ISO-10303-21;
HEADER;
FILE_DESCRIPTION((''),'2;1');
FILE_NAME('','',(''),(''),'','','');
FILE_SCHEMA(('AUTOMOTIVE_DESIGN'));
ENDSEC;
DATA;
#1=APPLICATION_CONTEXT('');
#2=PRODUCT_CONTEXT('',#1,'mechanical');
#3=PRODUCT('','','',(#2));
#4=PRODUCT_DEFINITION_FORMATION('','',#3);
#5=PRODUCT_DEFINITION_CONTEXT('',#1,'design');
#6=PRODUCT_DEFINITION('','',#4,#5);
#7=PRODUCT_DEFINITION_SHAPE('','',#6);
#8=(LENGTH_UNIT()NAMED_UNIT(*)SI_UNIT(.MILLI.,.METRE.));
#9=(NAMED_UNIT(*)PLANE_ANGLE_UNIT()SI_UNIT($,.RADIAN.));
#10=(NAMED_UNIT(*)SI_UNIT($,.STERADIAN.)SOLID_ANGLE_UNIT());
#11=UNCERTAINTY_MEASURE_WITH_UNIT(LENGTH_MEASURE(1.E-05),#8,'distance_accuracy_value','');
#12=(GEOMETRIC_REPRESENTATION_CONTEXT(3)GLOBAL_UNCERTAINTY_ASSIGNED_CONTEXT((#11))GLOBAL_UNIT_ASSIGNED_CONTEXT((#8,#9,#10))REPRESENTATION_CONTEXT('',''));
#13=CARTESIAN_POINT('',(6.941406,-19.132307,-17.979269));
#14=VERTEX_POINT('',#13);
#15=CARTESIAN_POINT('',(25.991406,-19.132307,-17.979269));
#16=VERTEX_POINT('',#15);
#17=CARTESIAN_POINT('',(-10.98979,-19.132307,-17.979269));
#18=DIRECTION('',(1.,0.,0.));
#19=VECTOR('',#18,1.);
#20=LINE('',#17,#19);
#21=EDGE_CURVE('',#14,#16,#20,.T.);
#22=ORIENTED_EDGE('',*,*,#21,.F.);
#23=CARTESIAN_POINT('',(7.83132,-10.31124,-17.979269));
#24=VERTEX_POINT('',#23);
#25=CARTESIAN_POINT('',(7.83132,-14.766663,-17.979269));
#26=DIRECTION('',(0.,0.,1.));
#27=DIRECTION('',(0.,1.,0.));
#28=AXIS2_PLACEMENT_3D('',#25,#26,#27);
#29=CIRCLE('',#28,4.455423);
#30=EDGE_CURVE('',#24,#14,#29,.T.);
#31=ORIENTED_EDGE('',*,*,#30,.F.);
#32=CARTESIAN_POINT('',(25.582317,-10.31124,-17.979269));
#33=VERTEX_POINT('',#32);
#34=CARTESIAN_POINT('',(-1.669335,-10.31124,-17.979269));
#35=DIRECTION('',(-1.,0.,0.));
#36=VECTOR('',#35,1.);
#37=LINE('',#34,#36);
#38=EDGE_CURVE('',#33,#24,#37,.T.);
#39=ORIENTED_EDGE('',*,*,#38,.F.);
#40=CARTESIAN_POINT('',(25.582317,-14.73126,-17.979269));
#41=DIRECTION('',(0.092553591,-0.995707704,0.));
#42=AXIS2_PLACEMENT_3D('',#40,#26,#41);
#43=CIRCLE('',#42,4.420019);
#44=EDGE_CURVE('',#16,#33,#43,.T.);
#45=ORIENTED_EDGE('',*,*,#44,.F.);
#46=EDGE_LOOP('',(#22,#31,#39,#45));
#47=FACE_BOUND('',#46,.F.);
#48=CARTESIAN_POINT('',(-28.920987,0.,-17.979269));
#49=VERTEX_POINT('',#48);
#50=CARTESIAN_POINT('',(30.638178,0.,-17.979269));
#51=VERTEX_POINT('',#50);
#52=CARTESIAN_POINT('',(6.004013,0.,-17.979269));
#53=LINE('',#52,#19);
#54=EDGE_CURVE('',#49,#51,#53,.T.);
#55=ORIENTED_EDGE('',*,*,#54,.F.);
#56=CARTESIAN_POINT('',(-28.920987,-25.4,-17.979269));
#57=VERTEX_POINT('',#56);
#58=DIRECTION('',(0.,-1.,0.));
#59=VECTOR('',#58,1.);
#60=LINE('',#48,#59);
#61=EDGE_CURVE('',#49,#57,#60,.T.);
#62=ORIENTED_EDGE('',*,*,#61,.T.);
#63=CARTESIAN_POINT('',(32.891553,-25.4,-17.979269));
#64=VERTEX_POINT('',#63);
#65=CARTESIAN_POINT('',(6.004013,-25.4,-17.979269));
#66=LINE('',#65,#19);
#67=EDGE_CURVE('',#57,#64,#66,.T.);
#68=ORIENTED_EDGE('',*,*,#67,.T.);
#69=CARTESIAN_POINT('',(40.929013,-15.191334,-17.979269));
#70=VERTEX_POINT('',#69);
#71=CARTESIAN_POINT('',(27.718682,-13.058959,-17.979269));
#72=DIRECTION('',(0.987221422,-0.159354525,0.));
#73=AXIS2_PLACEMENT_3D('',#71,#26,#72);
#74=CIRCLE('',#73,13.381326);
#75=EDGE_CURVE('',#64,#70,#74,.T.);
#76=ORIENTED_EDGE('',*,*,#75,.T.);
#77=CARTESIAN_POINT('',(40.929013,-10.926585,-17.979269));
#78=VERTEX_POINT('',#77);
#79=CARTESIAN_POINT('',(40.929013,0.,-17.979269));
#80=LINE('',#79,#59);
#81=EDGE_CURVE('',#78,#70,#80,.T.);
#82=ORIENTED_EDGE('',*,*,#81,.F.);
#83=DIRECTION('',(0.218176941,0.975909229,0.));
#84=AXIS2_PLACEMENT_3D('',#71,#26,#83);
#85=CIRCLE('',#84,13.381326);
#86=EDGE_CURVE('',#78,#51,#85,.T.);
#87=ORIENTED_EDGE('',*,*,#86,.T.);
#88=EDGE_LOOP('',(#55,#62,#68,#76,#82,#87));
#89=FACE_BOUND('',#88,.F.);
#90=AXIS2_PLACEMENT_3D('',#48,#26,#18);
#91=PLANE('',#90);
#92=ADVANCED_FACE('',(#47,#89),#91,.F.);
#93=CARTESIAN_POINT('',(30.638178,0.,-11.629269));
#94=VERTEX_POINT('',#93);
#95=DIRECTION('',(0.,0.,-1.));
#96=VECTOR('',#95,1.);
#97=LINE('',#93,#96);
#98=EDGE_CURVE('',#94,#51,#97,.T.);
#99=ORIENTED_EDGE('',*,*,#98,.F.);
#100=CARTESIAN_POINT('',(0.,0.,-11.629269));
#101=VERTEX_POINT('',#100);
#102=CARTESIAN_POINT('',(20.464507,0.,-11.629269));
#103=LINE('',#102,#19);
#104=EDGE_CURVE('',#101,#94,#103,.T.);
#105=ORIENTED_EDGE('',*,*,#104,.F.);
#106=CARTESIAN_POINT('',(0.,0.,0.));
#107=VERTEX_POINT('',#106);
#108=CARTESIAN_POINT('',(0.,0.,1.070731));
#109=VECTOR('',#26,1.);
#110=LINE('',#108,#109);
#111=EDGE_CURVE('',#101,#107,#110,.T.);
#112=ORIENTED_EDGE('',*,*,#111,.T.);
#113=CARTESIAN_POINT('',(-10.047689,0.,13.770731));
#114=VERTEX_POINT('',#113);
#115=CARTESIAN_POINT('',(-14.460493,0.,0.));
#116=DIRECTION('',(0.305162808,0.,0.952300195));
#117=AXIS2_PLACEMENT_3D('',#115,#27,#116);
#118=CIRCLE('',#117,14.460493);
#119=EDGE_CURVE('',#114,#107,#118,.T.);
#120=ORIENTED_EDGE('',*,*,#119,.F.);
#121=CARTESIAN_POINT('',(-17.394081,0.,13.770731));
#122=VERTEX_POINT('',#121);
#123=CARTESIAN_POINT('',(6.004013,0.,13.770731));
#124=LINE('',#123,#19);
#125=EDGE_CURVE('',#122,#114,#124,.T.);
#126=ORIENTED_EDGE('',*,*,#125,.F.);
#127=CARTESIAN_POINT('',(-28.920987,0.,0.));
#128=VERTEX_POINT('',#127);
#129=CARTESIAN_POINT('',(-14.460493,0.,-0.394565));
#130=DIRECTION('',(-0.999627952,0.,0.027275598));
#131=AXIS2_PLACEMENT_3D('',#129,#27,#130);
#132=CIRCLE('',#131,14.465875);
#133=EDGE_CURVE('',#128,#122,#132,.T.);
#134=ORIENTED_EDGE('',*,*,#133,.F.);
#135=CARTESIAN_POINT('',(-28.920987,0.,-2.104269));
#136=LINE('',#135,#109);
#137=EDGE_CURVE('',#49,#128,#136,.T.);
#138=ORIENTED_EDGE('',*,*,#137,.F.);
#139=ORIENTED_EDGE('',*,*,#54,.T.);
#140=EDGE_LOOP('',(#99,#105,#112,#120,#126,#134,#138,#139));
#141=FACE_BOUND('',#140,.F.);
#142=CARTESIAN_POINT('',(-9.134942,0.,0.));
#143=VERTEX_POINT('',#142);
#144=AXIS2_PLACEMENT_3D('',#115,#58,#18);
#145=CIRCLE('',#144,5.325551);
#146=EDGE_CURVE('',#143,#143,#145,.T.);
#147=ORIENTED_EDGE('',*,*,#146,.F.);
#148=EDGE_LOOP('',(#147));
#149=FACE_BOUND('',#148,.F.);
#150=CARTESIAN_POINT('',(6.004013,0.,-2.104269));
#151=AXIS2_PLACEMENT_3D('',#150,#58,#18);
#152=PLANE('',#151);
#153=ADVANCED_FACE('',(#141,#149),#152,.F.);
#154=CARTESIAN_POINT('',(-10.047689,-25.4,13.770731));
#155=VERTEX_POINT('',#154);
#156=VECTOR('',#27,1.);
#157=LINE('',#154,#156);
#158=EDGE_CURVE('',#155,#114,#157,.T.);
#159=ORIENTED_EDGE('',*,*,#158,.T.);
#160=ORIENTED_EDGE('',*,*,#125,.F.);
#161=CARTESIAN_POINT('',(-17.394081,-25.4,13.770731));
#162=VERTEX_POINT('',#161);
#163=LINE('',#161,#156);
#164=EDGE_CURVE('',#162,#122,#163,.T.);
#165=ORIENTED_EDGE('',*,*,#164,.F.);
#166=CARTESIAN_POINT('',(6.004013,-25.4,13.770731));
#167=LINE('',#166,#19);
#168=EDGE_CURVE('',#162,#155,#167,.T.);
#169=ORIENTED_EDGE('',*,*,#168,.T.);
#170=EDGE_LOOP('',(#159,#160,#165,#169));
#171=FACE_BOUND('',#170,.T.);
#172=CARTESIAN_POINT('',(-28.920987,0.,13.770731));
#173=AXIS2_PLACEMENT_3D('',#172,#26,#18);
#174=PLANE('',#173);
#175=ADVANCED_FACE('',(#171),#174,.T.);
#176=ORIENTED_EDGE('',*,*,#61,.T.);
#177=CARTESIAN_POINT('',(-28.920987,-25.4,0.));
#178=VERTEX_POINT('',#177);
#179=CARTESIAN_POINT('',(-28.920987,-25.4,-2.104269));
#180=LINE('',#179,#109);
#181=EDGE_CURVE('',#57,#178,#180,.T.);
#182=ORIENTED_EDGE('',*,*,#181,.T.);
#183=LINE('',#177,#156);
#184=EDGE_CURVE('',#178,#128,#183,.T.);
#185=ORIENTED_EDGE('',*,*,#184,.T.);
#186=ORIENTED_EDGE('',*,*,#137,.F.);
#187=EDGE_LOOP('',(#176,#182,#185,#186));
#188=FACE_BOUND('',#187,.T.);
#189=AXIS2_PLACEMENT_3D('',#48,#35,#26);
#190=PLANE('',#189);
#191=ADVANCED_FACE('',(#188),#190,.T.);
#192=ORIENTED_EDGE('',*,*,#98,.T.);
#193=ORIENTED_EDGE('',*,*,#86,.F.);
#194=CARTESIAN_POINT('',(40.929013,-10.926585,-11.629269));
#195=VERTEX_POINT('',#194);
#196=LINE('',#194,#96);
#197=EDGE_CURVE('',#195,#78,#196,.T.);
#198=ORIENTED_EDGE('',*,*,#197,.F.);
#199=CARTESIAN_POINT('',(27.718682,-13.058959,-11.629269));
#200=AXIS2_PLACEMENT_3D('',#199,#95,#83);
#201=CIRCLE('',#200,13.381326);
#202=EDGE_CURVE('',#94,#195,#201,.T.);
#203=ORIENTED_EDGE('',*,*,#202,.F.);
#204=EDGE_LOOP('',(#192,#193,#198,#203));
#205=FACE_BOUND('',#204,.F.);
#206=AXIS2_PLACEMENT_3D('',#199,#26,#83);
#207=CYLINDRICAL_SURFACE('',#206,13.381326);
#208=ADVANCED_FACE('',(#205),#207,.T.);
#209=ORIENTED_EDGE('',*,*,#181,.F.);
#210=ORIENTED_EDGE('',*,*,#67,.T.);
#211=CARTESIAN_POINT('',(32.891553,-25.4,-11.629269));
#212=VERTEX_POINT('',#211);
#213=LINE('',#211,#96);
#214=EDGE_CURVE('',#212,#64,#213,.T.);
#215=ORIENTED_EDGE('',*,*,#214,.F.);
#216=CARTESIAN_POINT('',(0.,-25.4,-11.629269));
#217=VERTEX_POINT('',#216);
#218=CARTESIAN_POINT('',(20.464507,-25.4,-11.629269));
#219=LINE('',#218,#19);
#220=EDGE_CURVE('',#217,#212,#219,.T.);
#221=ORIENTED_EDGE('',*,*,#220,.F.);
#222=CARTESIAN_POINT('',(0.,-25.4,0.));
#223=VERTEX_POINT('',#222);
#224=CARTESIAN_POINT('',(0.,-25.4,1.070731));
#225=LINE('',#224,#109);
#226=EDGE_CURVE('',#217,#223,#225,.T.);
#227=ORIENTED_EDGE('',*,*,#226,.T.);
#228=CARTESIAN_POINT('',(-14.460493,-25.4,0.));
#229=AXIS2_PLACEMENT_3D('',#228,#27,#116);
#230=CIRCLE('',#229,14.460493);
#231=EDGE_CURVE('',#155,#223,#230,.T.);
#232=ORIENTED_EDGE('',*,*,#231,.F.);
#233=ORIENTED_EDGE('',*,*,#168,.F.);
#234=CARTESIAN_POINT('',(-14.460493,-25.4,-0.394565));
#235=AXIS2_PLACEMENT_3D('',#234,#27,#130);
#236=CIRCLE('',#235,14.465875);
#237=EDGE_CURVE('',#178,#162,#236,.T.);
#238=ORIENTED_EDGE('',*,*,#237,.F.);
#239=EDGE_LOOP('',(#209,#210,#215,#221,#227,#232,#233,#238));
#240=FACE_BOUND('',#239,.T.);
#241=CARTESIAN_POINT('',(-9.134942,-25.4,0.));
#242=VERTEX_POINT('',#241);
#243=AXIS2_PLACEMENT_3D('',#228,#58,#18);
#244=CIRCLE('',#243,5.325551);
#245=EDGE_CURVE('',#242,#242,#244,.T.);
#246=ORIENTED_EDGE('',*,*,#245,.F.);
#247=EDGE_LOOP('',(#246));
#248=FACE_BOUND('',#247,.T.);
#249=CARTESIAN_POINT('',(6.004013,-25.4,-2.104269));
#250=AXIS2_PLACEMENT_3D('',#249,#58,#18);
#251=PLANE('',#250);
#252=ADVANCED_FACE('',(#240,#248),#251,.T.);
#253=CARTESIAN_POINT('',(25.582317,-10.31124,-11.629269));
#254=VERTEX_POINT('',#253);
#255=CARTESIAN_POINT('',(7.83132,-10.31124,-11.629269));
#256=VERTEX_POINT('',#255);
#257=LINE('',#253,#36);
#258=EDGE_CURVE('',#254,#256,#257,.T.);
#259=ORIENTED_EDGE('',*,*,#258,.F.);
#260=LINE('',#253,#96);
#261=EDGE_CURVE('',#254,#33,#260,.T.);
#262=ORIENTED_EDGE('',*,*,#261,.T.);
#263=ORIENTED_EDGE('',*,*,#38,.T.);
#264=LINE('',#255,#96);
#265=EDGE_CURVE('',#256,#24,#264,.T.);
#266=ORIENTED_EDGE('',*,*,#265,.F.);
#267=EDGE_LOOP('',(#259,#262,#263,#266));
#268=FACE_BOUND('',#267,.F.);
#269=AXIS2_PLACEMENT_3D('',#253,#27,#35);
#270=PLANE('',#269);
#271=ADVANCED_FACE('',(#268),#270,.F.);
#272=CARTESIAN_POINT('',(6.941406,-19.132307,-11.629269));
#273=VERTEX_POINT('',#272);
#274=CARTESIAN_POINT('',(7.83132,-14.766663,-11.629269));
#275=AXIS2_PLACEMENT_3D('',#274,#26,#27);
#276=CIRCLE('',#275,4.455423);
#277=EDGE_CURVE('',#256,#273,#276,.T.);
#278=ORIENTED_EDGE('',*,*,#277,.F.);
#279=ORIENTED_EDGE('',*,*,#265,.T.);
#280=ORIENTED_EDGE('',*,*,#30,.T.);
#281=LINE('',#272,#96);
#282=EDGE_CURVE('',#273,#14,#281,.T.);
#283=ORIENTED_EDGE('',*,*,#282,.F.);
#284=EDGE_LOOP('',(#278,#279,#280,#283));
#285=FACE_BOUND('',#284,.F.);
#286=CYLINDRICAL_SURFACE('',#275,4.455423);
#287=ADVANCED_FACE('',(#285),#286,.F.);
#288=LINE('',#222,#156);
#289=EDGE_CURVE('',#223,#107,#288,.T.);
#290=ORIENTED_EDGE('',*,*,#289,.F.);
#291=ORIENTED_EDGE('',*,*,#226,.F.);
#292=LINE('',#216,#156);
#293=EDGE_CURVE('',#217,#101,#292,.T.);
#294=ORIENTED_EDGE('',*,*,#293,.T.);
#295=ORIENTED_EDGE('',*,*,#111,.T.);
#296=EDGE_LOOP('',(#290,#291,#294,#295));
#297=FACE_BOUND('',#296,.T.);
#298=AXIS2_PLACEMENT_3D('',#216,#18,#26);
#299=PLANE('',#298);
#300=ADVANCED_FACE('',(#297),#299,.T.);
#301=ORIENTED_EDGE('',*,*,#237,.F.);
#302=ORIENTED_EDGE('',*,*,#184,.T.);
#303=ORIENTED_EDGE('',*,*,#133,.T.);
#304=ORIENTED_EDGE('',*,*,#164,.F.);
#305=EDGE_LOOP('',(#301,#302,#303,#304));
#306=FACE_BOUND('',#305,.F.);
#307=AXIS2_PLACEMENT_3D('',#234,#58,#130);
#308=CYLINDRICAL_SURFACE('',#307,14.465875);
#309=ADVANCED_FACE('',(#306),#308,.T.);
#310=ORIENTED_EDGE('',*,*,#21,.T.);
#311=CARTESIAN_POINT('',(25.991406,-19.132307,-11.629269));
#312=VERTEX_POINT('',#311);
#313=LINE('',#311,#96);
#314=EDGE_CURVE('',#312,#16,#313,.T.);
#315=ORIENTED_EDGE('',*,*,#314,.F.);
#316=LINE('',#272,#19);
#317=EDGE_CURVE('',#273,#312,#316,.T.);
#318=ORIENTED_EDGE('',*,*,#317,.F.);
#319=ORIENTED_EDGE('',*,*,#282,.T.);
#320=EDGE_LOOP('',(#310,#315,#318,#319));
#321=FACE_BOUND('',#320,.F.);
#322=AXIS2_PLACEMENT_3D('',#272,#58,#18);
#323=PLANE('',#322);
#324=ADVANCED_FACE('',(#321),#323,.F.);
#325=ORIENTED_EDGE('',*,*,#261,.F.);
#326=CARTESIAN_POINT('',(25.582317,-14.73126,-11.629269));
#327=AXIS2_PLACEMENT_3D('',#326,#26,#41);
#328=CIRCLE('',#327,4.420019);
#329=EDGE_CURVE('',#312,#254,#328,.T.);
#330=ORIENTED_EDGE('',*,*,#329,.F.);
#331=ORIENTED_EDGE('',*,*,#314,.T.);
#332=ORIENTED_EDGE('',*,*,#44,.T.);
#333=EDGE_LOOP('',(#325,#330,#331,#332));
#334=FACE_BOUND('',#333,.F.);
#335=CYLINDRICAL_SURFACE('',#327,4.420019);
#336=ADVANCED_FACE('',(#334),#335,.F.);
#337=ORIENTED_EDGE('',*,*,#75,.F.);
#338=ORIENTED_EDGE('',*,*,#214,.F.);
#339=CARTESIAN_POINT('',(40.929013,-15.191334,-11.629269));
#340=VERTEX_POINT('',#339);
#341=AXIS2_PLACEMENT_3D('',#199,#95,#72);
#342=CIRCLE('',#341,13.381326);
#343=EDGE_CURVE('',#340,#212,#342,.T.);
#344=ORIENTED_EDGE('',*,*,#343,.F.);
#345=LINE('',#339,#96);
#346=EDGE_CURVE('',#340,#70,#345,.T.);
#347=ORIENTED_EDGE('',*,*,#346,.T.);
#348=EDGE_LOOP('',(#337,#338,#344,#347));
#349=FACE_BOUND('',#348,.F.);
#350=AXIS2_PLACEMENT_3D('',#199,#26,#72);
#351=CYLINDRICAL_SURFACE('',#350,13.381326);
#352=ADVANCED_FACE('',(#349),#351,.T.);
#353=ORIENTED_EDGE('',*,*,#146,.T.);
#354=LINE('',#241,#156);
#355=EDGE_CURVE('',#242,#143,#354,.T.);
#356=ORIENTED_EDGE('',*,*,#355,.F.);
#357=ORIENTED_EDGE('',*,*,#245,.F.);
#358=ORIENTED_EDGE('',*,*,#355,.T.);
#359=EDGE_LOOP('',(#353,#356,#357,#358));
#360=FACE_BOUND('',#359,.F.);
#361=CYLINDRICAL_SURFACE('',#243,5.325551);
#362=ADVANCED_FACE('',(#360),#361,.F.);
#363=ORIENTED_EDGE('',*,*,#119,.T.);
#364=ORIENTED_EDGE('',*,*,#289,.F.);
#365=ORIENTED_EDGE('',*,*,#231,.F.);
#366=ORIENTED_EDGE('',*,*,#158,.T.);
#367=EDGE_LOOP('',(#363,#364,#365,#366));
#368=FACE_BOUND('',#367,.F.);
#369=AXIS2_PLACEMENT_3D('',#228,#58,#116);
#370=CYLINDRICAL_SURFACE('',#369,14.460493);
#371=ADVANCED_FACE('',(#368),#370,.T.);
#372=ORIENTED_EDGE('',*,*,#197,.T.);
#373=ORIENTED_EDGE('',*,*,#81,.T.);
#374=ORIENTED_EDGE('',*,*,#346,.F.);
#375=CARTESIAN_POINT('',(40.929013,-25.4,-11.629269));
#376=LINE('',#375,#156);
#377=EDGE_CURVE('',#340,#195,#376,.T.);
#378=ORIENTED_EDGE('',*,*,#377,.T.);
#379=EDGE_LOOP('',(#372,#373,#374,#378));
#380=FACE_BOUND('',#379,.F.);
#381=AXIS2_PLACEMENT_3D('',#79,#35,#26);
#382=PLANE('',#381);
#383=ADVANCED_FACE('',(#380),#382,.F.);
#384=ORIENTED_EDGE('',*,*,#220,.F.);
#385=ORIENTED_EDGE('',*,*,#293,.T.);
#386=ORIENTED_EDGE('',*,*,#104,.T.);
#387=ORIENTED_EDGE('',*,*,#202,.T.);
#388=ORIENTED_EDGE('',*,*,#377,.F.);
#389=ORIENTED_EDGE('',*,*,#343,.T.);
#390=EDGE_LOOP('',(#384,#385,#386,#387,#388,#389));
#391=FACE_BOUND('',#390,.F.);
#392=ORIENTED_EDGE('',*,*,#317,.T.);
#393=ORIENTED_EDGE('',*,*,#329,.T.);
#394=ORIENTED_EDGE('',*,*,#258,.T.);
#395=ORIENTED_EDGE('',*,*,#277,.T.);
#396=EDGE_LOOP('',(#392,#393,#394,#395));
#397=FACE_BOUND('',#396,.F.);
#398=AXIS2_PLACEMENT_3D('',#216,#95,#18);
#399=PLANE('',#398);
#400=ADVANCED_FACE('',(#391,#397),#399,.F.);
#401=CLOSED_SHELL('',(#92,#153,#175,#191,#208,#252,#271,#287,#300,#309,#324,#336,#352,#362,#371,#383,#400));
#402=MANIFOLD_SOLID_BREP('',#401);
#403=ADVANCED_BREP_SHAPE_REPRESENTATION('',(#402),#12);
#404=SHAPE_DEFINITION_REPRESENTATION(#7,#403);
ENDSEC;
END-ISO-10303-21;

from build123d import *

# Parameters (mm, degrees)
F0_W      = 69.85
F0_H      = 31.75
F1_DEPTH  = 25.4
F3_DEPTH  = 25.4
F4_W      = 40.9290131211
F4_H      = 25.4
F5_DEPTH  = 25.4
F7_DEPTH  = 25.4
F9_DEPTH  = 25.4
F11_DEPTH = 25.4
F12_R     = 5.3255513917
F13_DEPTH = 25.4


with BuildPart() as f1:
    # F0 (on Front) → F1 (new body)
    with BuildSketch(Plane.XZ):
        with Locations((6.0040131211, -2.1042692847)):
            Rectangle(F0_W, F0_H)
    extrude(amount=F1_DEPTH)

    # F2 (on face) → F3 (cut)
    with BuildSketch(Plane.XZ.offset(25.4)):
        with BuildLine():
            ThreePointArc((-28.9209868789, 0), (-25.5531384198, 8.8906260106), (-17.3940813557, 13.7707307153))
            Line((-17.3940813557, 13.7707307153), (-28.9209868789, 13.7707307153))
            Line((-28.9209868789, 13.7707307153), (-28.9209868789, 0))
        make_face()
    extrude(amount=-F3_DEPTH, mode=Mode.SUBTRACT)

    # F4 (on face) → F5 (cut)
    with BuildSketch(Plane.XZ.offset(25.4)):
        with Locations((20.4645065606, 1.0707307153)):
            Rectangle(F4_W, F4_H)
    extrude(amount=-F5_DEPTH, mode=Mode.SUBTRACT)

    # F6 (on face) → F7 (cut)
    with BuildSketch(Plane.XZ.offset(25.4)):
        with BuildLine():
            ThreePointArc((-10.0476886535, 13.7707307153), (-2.7789437741, 8.5233366664), (0, 0))
            Line((0, 0), (0, 13.7707307153))
            Line((0, 13.7707307153), (-10.0476886535, 13.7707307153))
        make_face()
    extrude(amount=-F7_DEPTH, mode=Mode.SUBTRACT)

    # F8 (on face) → F9 (cut)
    with BuildSketch(Plane.XY.offset(-11.6292692847)):
        with BuildLine():
            ThreePointArc((40.9290131211, -15.1913341976), (38.2324702051, -21.3366480861), (32.8915528953, -25.4))
            Line((32.8915528953, -25.4), (40.9290131211, -25.4))
            Line((40.9290131211, -25.4), (40.9290131211, -15.1913341976))
        make_face()
        with BuildLine():
            ThreePointArc((30.6381783403, 0), (37.4598520862, -3.8845668164), (40.9290131211, -10.92658455))
            Line((40.9290131211, -10.92658455), (40.9290131211, 0))
            Line((40.9290131211, 0), (30.6381783403, 0))
        make_face()
    extrude(amount=-F9_DEPTH, mode=Mode.SUBTRACT)

    # F10 (on face) → F11 (cut)
    with BuildSketch(Plane.XY.offset(-11.6292692847)):
        with BuildLine():
            Line((6.9414059162, -19.1323067701), (25.9914059162, -19.1323067701))
            ThreePointArc((25.9914059162, -19.1323067701), (29.9975909424, -14.5264953928), (25.5823172629, -10.3112403303))
            Line((25.5823172629, -10.3112403303), (7.8313201666, -10.3112403303))
            ThreePointArc((7.8313201666, -10.3112403303), (3.3983989935, -14.319447362), (6.9414059162, -19.1323067701))
        make_face()
    extrude(amount=-F11_DEPTH, mode=Mode.SUBTRACT)

    # F12 (on face) → F13 (cut)
    with BuildSketch(Plane.XZ.offset(25.4)):
        with Locations((-14.4604934394, 0)):
            Circle(F12_R)
    extrude(amount=-F13_DEPTH, mode=Mode.SUBTRACT)


solid = f1.part
